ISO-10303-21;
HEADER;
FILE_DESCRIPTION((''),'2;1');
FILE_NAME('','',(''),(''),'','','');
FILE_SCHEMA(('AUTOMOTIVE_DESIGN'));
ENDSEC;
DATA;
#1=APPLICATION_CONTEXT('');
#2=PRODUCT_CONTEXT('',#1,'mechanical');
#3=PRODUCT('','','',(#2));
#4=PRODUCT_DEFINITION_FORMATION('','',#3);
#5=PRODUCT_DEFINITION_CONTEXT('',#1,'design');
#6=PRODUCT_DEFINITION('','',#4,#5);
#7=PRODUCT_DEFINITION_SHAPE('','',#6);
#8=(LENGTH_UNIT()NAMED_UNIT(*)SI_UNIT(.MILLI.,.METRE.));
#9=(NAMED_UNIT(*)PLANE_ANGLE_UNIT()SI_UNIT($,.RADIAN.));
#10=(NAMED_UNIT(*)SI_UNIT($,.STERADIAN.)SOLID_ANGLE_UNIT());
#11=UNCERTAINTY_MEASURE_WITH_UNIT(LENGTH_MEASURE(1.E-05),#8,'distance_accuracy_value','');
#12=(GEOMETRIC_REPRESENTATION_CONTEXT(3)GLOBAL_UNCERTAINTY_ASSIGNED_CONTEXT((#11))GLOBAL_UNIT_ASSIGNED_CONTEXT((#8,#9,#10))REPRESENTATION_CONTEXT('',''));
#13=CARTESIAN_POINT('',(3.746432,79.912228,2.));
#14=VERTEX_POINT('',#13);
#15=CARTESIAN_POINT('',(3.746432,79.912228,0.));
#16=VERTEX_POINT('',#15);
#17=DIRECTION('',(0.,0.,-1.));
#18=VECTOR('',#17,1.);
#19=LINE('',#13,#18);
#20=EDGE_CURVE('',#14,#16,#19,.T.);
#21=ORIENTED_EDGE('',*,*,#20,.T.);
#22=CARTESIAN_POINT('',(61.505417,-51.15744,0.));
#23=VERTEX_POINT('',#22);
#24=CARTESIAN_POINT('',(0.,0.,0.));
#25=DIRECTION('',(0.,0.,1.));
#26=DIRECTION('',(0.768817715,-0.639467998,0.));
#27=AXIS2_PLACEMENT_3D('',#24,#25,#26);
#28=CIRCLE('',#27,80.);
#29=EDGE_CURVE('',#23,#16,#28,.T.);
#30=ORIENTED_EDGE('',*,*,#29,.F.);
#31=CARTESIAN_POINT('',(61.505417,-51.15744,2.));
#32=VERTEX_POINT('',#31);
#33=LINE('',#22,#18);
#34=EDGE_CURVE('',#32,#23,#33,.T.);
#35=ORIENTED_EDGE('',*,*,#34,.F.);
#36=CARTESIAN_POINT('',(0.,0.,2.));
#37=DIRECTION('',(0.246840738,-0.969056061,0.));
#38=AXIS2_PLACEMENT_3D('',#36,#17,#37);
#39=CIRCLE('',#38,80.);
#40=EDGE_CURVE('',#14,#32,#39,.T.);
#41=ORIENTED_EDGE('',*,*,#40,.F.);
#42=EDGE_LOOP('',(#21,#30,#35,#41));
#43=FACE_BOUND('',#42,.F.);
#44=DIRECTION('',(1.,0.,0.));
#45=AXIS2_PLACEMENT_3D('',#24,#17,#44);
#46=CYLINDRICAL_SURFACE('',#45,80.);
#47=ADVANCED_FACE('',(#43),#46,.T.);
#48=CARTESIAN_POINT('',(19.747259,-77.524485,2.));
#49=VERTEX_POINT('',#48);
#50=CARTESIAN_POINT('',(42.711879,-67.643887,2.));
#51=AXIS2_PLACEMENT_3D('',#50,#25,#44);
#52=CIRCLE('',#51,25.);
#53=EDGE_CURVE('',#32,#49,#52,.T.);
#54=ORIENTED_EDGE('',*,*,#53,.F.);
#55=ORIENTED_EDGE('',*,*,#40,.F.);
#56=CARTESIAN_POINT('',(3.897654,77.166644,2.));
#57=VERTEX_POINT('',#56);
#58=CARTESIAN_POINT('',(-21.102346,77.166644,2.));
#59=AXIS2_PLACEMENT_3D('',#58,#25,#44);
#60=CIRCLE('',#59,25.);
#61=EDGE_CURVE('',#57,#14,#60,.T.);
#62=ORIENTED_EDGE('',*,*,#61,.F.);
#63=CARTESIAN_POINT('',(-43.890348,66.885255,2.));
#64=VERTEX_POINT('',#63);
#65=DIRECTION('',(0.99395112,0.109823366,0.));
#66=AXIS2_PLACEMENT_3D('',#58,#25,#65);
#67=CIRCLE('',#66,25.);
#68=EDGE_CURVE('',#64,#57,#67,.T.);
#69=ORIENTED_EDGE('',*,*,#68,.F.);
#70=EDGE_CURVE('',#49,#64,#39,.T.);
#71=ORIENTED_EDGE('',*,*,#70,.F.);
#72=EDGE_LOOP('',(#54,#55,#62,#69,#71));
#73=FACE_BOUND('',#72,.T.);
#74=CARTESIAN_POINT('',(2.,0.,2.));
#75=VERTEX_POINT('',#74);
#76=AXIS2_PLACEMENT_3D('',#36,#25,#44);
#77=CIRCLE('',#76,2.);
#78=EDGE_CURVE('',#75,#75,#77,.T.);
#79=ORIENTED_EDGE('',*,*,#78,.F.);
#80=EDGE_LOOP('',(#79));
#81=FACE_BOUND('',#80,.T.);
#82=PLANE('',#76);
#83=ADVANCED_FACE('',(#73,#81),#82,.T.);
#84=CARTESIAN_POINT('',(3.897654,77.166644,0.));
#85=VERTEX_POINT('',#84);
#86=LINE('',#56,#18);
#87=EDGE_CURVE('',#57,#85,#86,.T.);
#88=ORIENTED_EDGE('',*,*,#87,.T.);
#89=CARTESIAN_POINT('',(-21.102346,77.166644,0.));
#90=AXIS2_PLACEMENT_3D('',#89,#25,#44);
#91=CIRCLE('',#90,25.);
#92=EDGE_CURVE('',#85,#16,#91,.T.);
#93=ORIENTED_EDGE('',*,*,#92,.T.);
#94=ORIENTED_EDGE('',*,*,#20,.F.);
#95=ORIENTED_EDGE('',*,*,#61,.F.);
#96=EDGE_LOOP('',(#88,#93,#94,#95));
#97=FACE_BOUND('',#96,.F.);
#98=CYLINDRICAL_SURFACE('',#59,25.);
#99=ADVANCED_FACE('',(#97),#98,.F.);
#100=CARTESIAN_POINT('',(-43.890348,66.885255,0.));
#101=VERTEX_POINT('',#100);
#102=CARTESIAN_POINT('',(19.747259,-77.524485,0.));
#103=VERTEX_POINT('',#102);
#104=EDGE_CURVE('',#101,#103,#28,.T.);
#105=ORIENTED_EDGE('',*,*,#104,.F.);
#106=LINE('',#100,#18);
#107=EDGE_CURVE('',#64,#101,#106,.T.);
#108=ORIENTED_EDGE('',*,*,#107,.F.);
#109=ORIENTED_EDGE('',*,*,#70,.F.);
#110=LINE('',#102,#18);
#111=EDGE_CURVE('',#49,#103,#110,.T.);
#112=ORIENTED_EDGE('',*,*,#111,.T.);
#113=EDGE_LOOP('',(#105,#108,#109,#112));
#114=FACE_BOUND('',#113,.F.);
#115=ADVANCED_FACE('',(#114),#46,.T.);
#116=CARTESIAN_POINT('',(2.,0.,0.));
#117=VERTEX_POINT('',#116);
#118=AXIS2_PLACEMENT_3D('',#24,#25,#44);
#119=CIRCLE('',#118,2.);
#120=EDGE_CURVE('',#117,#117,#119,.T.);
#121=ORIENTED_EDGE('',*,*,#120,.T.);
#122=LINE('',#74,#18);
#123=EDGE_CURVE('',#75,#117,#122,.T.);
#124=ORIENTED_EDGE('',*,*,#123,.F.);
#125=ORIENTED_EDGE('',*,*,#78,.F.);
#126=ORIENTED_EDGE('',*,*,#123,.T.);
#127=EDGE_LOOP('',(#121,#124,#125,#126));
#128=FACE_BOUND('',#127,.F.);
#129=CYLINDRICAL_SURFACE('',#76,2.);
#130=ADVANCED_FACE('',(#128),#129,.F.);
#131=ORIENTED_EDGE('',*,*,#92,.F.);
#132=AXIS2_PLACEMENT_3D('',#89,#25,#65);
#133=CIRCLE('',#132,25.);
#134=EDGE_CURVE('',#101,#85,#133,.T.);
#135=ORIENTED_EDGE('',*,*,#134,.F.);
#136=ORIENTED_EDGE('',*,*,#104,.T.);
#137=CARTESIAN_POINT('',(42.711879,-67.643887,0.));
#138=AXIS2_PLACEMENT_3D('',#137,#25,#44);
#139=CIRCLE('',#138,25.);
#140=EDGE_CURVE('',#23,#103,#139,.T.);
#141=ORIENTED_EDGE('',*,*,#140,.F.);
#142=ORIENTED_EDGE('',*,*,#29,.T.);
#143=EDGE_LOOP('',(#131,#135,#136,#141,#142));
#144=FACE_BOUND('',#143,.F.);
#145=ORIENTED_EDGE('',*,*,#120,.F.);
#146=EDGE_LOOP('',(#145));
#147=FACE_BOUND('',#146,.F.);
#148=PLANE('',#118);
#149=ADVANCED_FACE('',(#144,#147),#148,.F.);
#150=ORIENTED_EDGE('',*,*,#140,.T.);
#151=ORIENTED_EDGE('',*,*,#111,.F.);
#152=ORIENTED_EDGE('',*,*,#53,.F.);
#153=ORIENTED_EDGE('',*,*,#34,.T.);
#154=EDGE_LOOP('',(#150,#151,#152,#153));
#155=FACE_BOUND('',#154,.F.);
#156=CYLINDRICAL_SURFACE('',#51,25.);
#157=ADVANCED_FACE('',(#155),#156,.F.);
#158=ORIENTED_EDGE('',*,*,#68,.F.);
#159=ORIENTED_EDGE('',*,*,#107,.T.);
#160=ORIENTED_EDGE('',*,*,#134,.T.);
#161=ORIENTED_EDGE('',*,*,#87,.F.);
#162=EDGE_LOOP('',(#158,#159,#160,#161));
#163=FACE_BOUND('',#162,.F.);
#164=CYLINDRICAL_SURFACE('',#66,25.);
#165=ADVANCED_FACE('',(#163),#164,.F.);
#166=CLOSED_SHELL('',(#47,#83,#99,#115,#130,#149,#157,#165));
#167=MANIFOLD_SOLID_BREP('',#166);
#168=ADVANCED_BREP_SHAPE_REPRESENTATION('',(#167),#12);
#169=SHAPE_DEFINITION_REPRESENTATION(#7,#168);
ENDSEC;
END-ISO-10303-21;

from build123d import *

# Parameters (mm, degrees)
F0_R     = 80
F1_DEPTH = 2
F2_R     = 25
F3_DEPTH = 25.4
F4_R     = 2
F5_DEPTH = 25.4
F7_DEPTH = 25.4


with BuildPart() as f1:
    # F0 (on Top) → F1 (new body)
    with BuildSketch(Plane.XY):
        Circle(F0_R)
    extrude(amount=F1_DEPTH)

    # F2 (on face) → F3 (cut)
    with BuildSketch(Plane.XY.offset(2)):
        with Locations((42.711879087, -67.6438865298)):
            Circle(F2_R)
    extrude(amount=-F3_DEPTH, mode=Mode.SUBTRACT)

    # F4 (on face) → F5 (cut)
    with BuildSketch(Plane.XY.offset(2)):
        Circle(F4_R)
    extrude(amount=-F5_DEPTH, mode=Mode.SUBTRACT)

    # F6 (on face) → F7 (cut)
    with BuildSketch(Plane.XY.offset(2)):
        with BuildLine():
            ThreePointArc((-43.8903481832, 66.8852549996), (-15.8440218297, 52.7258990739), (3.8976538135, 77.166644254))
            ThreePointArc((3.8976538135, 77.166644254), (3.8598196829, 78.5415170144), (3.7464318049, 79.9122284055))
            ThreePointArc((3.7464318049, 79.9122284055), (-21.1023461865, 77.166644254), (-43.8903481832, 66.8852549996))
        make_face()
        with BuildLine():
            ThreePointArc((-43.8903481832, 66.8852549996), (-21.1023461865, 77.166644254), (3.7464318049, 79.9122284055))
            ThreePointArc((3.7464318049, 79.9122284055), (-27.6968293698, 101.2812205834), (-43.8903481832, 66.8852549996))
        make_face()
    extrude(amount=-F7_DEPTH, mode=Mode.SUBTRACT)


solid = f1.part
